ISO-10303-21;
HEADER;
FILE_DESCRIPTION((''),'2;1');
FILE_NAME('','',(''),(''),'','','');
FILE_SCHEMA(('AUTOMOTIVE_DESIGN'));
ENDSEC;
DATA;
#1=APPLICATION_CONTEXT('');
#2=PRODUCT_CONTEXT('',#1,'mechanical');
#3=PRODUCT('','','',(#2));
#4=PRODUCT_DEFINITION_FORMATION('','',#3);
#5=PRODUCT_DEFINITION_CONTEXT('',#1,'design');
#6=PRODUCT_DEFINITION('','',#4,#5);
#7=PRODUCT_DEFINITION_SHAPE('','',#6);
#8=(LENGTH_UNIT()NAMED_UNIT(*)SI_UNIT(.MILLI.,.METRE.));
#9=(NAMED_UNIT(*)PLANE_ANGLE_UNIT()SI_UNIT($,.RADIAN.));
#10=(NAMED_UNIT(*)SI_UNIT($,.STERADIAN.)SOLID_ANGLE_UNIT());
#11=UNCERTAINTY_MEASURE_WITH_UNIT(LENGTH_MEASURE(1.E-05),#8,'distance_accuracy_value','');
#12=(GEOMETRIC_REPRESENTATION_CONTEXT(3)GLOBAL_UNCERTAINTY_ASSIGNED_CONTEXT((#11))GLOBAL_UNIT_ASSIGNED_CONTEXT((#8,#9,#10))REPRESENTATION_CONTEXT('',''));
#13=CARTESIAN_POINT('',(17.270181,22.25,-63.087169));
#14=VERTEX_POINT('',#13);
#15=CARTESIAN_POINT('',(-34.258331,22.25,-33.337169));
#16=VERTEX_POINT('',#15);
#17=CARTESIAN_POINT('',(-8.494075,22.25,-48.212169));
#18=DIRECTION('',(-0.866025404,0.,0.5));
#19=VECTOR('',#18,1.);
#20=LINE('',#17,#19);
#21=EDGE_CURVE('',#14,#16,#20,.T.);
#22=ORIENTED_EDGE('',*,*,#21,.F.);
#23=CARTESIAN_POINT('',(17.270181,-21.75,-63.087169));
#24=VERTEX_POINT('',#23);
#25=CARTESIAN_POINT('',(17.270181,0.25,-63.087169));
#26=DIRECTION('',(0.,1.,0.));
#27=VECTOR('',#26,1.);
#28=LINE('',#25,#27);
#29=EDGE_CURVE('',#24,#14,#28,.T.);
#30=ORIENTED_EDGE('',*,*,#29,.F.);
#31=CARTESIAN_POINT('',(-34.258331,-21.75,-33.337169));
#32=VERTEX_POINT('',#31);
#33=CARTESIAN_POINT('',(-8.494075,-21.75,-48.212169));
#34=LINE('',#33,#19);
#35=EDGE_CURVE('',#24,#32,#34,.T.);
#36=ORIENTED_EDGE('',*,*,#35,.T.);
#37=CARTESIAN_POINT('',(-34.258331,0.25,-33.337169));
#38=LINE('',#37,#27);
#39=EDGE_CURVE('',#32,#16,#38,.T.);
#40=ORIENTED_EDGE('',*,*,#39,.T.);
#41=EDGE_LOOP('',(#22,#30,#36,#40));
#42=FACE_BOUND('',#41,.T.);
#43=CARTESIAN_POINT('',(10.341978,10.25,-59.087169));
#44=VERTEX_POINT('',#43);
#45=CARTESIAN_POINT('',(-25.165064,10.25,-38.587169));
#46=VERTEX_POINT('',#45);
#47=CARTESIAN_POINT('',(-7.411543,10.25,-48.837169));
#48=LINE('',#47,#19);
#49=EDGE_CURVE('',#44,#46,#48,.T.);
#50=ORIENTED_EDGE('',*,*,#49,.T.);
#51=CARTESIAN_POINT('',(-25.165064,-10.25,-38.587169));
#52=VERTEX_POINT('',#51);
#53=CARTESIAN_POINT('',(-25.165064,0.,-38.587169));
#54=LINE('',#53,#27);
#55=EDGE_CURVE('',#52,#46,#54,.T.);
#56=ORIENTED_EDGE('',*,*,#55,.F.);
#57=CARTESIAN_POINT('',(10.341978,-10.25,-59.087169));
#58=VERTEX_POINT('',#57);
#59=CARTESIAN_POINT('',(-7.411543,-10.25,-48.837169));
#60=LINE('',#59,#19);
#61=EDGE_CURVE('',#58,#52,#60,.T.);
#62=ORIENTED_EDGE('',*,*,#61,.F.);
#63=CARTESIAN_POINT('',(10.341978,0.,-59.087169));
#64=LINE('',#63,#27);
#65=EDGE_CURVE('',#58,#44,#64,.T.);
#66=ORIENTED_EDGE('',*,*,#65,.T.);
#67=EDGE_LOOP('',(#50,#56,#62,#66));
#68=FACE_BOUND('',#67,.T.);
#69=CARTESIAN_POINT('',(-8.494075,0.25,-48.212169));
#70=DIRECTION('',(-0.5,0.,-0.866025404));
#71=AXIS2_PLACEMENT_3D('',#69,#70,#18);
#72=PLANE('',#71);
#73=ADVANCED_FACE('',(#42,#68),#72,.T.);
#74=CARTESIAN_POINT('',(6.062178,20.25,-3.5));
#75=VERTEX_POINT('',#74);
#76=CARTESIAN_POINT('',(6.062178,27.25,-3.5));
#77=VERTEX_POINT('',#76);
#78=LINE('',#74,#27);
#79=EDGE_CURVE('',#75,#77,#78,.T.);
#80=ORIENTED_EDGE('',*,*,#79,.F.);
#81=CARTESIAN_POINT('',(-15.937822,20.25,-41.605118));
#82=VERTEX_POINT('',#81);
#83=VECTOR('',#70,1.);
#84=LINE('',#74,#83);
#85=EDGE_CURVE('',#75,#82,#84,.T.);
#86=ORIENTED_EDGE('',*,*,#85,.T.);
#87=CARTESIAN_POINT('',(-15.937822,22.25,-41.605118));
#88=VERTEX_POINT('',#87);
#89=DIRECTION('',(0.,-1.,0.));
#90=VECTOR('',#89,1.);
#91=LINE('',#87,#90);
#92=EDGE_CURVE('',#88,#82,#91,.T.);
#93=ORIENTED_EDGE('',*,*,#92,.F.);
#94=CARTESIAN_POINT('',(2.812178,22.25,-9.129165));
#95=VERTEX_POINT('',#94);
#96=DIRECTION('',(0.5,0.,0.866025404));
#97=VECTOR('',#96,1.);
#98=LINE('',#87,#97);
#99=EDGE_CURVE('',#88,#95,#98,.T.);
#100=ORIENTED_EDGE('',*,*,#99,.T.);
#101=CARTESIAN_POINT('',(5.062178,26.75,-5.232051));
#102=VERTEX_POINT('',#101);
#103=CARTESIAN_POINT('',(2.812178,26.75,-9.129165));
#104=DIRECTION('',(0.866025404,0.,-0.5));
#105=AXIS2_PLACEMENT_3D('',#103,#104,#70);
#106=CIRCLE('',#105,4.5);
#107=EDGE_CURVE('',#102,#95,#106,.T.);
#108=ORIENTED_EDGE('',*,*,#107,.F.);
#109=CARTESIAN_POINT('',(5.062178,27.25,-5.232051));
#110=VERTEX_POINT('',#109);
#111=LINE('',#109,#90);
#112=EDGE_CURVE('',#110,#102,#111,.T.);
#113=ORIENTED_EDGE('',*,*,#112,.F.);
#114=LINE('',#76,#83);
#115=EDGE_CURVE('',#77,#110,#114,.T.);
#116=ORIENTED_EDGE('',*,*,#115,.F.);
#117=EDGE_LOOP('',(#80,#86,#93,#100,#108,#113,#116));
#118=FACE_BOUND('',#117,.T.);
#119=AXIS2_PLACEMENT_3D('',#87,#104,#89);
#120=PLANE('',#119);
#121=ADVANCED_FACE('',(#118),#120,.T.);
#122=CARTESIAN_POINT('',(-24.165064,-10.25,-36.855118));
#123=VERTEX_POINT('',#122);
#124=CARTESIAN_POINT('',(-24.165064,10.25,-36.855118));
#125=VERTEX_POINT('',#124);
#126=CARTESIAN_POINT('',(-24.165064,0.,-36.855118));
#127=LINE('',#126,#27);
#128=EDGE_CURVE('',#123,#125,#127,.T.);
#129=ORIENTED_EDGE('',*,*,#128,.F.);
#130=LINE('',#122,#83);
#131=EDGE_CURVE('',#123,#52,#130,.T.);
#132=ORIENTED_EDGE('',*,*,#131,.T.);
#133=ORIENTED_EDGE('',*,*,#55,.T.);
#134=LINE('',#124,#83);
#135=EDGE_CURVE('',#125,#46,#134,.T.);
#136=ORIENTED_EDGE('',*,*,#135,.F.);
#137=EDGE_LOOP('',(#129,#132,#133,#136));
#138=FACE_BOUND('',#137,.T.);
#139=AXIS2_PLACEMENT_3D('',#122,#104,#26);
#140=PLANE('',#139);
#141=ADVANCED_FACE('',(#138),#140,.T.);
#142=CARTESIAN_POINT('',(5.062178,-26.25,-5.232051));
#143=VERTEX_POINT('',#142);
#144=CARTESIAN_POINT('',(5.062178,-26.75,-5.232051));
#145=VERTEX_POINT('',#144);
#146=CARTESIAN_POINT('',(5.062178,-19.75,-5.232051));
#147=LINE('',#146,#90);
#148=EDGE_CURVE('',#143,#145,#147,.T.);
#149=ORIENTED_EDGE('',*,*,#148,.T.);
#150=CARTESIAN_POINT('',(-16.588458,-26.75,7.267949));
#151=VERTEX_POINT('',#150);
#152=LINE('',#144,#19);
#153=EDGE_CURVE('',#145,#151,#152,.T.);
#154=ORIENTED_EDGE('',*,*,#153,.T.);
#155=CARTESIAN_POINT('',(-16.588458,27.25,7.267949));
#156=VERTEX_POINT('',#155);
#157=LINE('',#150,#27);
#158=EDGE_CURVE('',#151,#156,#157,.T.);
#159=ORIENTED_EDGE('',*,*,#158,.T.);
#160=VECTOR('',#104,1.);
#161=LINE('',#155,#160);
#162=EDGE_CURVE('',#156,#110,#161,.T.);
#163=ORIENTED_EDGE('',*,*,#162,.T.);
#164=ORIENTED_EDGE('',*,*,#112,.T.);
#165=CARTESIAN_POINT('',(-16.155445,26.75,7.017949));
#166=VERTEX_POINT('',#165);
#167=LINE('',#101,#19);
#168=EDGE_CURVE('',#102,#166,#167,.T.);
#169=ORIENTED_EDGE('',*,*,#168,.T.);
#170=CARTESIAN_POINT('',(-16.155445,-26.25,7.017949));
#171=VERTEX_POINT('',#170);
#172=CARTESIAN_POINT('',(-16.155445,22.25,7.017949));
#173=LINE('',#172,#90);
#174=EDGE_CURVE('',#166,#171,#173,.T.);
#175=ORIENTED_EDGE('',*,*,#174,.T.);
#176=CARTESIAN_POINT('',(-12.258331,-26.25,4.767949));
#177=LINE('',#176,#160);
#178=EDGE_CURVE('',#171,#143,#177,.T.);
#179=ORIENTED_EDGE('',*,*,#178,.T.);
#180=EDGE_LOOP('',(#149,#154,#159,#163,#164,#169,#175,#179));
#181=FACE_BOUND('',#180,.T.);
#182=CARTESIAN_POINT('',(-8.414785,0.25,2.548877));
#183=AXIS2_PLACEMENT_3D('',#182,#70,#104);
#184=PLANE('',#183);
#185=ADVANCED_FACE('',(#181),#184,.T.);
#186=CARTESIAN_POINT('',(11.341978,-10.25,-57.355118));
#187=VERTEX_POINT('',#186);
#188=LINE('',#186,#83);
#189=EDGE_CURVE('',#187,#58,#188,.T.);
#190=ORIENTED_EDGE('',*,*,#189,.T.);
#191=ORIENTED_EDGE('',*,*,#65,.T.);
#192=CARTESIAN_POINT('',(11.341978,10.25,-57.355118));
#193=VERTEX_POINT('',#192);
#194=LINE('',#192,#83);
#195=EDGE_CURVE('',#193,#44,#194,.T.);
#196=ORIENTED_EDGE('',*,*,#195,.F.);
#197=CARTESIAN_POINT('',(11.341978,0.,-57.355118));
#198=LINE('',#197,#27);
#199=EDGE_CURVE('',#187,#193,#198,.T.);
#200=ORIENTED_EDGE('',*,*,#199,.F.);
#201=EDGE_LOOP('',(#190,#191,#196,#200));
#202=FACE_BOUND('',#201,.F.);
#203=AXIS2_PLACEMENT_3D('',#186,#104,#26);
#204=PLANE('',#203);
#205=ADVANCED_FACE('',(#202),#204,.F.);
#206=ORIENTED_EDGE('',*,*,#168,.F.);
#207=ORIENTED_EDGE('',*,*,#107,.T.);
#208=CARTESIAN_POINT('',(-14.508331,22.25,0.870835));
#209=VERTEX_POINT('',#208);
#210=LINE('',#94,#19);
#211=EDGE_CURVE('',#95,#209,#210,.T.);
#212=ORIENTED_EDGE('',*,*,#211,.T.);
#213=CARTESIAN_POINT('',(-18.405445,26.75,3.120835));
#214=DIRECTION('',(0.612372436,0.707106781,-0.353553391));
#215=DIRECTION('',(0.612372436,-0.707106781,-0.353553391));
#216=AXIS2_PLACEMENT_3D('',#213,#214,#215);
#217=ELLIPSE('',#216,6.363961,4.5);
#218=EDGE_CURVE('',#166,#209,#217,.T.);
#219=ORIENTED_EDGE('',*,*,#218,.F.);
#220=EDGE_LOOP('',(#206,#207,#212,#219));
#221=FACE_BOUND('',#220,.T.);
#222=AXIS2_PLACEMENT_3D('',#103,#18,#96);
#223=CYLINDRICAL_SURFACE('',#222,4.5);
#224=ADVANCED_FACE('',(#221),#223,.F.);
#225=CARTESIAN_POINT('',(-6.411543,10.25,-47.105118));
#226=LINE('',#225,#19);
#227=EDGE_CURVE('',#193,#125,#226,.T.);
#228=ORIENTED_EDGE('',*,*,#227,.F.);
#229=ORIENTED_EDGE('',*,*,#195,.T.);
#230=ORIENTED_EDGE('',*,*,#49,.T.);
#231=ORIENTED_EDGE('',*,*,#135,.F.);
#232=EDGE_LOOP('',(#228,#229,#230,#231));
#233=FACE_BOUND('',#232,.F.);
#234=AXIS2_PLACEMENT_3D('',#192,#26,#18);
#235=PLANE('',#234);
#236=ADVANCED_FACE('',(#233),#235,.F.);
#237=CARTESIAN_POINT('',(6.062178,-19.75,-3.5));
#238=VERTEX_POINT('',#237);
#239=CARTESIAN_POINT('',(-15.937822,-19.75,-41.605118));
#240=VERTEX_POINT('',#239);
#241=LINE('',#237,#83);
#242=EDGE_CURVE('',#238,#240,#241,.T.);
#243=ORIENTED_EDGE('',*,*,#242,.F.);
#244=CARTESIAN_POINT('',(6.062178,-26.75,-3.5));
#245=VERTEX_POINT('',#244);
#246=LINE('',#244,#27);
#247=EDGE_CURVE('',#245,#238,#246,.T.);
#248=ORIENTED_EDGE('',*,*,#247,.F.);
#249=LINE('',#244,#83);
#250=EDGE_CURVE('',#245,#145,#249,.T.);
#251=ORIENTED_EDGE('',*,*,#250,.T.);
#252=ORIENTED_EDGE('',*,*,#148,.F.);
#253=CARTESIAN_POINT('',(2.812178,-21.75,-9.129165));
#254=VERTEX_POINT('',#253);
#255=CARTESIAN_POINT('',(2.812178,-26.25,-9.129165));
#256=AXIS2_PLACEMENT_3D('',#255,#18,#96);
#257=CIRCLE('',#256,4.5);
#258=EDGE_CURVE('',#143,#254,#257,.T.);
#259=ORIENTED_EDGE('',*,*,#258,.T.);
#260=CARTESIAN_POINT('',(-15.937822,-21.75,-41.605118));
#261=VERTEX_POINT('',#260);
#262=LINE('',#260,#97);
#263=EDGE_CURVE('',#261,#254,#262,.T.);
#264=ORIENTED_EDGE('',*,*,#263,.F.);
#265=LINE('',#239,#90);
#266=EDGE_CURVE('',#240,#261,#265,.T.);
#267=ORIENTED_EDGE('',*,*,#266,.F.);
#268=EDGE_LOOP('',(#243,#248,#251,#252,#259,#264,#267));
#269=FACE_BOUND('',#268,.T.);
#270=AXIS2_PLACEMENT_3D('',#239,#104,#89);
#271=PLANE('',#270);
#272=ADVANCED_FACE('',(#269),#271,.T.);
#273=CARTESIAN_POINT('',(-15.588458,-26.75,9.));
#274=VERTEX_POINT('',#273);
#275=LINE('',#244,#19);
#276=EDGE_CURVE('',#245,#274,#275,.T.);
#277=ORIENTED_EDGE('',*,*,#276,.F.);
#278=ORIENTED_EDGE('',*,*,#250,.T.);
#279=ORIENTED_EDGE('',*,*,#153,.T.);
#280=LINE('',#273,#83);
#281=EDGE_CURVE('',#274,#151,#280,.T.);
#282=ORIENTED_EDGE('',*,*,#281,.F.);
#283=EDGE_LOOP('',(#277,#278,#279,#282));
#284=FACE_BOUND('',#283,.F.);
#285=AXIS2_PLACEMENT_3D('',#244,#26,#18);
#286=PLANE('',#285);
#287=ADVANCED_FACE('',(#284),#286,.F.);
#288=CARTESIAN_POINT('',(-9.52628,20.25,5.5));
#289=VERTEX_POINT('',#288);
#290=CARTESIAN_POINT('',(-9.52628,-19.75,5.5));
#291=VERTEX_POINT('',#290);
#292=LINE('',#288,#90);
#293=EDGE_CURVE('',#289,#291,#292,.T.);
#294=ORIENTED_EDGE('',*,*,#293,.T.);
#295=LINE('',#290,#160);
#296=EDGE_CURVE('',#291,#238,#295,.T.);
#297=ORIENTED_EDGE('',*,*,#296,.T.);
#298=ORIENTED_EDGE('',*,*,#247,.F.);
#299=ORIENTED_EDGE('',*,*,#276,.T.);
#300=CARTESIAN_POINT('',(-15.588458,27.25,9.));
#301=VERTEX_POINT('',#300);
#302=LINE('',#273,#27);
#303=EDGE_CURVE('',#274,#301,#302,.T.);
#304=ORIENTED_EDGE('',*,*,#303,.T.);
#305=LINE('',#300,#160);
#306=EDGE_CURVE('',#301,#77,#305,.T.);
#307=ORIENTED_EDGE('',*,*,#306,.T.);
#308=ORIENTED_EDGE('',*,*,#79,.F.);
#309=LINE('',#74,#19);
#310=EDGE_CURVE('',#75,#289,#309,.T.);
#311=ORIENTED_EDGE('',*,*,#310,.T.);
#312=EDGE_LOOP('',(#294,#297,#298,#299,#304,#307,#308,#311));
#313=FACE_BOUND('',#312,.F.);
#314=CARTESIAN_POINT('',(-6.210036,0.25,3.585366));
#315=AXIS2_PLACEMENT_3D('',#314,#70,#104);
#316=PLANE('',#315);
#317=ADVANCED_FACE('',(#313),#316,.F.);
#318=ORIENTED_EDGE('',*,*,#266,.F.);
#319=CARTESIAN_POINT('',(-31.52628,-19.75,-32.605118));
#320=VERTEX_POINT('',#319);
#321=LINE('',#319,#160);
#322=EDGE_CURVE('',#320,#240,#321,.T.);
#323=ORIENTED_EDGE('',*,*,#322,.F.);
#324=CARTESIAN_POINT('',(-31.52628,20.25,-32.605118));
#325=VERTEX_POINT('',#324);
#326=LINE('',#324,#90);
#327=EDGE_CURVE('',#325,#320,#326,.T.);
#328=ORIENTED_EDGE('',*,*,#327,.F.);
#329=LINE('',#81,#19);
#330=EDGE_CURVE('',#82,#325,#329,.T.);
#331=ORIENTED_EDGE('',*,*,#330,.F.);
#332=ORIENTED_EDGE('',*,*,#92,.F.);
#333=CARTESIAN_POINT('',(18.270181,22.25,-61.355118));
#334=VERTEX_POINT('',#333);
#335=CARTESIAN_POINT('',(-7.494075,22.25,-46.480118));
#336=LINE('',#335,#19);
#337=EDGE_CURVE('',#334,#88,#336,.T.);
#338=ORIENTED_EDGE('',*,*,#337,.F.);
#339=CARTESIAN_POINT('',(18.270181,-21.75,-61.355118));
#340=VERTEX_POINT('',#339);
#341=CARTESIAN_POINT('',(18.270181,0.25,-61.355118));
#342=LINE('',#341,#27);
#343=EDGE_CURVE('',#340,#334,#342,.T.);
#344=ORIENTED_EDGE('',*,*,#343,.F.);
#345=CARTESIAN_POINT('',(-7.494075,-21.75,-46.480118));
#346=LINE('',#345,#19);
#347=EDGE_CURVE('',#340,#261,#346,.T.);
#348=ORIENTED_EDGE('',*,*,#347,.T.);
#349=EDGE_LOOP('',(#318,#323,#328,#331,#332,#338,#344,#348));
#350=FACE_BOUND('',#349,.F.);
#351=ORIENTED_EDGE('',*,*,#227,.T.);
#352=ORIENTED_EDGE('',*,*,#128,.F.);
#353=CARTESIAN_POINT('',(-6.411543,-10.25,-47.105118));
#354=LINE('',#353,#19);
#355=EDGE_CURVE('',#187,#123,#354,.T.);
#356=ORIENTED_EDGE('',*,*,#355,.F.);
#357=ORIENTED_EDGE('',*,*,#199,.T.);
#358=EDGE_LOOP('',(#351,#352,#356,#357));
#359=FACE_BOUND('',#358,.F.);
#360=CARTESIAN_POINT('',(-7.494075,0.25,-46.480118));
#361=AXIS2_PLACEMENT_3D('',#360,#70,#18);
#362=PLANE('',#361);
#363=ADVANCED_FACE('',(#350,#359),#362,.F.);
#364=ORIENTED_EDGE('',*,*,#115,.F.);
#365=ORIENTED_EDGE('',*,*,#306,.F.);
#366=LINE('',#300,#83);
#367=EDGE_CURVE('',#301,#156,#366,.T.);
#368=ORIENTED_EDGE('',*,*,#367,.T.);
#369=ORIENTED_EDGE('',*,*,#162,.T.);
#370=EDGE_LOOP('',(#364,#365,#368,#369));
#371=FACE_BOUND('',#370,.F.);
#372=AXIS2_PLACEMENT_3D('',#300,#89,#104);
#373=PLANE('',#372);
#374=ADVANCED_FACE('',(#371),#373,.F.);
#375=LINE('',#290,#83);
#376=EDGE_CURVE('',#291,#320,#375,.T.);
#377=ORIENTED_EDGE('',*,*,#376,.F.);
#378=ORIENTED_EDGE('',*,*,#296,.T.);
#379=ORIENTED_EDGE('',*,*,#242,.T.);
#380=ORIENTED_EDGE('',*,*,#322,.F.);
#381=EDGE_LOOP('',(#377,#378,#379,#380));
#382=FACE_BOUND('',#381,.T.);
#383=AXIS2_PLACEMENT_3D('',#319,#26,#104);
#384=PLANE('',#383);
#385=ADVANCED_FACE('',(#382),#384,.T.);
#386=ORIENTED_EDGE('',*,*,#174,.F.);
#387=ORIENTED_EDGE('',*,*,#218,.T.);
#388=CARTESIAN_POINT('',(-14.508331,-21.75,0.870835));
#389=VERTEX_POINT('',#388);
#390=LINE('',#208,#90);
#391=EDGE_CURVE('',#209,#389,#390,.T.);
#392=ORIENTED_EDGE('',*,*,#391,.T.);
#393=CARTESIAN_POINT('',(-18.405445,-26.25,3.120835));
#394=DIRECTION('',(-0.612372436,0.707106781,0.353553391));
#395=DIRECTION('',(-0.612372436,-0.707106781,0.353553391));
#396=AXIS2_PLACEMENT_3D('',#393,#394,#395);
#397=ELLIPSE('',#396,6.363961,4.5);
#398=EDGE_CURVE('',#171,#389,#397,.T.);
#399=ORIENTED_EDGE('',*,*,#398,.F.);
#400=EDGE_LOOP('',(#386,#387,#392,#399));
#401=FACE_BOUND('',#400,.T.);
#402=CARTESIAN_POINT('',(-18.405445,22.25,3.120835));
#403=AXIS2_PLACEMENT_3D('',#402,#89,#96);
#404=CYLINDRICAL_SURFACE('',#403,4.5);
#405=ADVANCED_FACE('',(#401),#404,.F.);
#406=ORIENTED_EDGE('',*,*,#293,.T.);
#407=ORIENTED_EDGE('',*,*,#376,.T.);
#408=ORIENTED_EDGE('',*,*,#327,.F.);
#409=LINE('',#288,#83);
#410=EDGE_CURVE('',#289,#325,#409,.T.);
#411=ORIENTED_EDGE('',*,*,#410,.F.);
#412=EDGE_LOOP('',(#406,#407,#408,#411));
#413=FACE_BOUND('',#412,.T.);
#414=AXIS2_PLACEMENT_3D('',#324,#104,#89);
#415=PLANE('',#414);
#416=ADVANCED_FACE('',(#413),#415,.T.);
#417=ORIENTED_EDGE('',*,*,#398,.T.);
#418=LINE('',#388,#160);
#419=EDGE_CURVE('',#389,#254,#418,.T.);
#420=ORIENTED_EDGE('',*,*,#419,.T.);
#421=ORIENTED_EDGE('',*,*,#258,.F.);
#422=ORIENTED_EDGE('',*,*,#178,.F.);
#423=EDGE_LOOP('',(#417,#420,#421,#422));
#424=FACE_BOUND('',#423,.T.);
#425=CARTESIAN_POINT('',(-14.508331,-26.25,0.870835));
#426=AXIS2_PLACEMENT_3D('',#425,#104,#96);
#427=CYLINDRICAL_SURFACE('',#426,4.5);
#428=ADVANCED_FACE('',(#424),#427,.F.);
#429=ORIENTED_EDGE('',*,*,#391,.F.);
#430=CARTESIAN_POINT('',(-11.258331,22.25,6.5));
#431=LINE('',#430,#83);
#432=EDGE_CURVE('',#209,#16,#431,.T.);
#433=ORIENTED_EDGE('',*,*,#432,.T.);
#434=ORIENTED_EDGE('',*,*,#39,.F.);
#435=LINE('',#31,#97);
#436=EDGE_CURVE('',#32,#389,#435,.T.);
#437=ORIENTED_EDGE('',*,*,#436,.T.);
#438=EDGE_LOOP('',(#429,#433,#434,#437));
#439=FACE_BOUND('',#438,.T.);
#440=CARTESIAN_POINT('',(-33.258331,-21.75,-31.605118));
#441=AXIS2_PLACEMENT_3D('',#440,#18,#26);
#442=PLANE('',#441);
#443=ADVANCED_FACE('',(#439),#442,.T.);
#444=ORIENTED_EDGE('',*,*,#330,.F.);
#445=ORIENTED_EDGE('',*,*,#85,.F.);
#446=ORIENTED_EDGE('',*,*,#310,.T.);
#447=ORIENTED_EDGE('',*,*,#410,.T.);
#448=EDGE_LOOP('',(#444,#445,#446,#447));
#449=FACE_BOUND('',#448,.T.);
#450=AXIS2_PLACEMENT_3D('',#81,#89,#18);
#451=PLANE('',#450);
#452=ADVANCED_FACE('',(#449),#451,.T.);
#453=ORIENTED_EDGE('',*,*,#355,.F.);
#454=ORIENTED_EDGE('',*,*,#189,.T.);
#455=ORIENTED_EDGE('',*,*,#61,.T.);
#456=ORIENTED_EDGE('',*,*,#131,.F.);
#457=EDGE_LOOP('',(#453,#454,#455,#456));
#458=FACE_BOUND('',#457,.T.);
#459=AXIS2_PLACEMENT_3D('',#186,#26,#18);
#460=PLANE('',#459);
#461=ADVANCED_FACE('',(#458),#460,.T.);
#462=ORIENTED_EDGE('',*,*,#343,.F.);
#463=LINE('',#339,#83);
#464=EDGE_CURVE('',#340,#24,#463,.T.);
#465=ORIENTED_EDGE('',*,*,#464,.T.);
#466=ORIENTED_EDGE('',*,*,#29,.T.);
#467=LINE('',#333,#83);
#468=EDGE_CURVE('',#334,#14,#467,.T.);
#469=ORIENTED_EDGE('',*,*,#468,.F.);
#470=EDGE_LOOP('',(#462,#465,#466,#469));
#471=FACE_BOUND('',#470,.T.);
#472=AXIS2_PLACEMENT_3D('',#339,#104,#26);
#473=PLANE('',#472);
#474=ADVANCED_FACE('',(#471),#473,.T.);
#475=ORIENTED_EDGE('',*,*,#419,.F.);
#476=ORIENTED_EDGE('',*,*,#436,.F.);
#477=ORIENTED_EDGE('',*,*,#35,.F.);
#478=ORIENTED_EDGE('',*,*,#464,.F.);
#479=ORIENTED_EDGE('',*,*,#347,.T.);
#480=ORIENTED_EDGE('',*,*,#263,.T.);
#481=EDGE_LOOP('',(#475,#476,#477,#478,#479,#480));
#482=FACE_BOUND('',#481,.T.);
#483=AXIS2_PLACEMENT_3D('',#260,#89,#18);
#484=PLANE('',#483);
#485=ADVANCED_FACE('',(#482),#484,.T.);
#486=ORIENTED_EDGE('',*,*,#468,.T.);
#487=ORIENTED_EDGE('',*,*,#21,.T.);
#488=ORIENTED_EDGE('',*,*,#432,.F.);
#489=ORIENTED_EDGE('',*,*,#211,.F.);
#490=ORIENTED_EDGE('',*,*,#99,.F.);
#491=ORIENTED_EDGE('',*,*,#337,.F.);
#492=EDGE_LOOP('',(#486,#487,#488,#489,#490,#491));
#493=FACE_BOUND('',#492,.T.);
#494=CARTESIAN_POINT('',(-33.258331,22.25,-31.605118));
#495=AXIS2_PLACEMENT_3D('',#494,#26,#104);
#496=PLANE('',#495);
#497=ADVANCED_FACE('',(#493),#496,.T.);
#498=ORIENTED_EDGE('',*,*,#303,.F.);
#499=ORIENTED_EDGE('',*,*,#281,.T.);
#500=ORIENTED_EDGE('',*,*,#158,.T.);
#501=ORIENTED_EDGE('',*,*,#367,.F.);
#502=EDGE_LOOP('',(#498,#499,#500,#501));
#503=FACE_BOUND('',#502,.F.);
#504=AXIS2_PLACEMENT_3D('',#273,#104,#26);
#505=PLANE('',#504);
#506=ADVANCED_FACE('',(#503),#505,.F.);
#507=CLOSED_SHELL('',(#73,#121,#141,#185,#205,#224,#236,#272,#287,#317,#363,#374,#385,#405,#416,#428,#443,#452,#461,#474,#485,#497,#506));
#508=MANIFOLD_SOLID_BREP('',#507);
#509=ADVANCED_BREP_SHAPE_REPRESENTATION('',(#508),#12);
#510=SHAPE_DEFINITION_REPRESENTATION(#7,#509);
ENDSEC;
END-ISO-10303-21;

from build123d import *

# Parameters (mm, degrees)
SKETCH029_W             = 59.5
SKETCH029_H             = 44
SKETCH029_W_2           = 41
SKETCH029_H_2           = 20.5
PAD015_DEPTH            = 2
PAD016_DEPTH            = 44
PAD017_DEPTH            = 2
FILLET_R                = 4.5
BODY011_PLACEMENT_ANGLE = 210


with BuildPart() as part:
    # Sketch029 → Pad015 (new body)
    with BuildSketch(Plane.XY):
        with Locations((1.25, 0.25)):
            Rectangle(SKETCH029_W, SKETCH029_H)
        Rectangle(SKETCH029_W_2, SKETCH029_H_2, mode=Mode.SUBTRACT)
    extrude(amount=PAD015_DEPTH)

    # Sketch030 (on Face9 of Pad015) → Pad016 (join)
    with BuildSketch(Plane(origin=(0, 0, 0), x_dir=(1, 0, 0), z_dir=(0, 0, -1))):
        Polygon((31, 21.75), (31, -22.25), (11, -22.25), (11, -20.25), (29, -20.25), (29, 19.75), (11, 19.75), (11, 21.75), align=None)
    extrude(amount=PAD016_DEPTH)

    # Sketch031 (on Face18 of Pad016) → Pad017 (join)
    with BuildSketch(Plane(origin=(0, 0, -44), x_dir=(1, 0, 0), z_dir=(0, 0, -1))):
        Polygon((11, 19.75), (11, 26.75), (36, 26.75), (36, -27.25), (11, -27.25), (11, -20.25), (29, -20.25), (29, 19.75), align=None)
    extrude(amount=-PAD017_DEPTH)

    # Fillet
    fillet_edges = [part.edges().sort_by_distance(p)[0] for p in [
        (31, 0.25, -42),
        (21, 22.25, -42),
        (21, -21.75, -42),
    ]]
    fillet(fillet_edges, radius=FILLET_R)


with BuildPart() as part_1:
    # Body011 placement: moved
    add(part.part.moved(Location((-6.411543, 0, -47.105118))).rotate(Axis((-6.411543, 0, -47.105118), (0, 1, 0)), BODY011_PLACEMENT_ANGLE))


solid = part_1.part
